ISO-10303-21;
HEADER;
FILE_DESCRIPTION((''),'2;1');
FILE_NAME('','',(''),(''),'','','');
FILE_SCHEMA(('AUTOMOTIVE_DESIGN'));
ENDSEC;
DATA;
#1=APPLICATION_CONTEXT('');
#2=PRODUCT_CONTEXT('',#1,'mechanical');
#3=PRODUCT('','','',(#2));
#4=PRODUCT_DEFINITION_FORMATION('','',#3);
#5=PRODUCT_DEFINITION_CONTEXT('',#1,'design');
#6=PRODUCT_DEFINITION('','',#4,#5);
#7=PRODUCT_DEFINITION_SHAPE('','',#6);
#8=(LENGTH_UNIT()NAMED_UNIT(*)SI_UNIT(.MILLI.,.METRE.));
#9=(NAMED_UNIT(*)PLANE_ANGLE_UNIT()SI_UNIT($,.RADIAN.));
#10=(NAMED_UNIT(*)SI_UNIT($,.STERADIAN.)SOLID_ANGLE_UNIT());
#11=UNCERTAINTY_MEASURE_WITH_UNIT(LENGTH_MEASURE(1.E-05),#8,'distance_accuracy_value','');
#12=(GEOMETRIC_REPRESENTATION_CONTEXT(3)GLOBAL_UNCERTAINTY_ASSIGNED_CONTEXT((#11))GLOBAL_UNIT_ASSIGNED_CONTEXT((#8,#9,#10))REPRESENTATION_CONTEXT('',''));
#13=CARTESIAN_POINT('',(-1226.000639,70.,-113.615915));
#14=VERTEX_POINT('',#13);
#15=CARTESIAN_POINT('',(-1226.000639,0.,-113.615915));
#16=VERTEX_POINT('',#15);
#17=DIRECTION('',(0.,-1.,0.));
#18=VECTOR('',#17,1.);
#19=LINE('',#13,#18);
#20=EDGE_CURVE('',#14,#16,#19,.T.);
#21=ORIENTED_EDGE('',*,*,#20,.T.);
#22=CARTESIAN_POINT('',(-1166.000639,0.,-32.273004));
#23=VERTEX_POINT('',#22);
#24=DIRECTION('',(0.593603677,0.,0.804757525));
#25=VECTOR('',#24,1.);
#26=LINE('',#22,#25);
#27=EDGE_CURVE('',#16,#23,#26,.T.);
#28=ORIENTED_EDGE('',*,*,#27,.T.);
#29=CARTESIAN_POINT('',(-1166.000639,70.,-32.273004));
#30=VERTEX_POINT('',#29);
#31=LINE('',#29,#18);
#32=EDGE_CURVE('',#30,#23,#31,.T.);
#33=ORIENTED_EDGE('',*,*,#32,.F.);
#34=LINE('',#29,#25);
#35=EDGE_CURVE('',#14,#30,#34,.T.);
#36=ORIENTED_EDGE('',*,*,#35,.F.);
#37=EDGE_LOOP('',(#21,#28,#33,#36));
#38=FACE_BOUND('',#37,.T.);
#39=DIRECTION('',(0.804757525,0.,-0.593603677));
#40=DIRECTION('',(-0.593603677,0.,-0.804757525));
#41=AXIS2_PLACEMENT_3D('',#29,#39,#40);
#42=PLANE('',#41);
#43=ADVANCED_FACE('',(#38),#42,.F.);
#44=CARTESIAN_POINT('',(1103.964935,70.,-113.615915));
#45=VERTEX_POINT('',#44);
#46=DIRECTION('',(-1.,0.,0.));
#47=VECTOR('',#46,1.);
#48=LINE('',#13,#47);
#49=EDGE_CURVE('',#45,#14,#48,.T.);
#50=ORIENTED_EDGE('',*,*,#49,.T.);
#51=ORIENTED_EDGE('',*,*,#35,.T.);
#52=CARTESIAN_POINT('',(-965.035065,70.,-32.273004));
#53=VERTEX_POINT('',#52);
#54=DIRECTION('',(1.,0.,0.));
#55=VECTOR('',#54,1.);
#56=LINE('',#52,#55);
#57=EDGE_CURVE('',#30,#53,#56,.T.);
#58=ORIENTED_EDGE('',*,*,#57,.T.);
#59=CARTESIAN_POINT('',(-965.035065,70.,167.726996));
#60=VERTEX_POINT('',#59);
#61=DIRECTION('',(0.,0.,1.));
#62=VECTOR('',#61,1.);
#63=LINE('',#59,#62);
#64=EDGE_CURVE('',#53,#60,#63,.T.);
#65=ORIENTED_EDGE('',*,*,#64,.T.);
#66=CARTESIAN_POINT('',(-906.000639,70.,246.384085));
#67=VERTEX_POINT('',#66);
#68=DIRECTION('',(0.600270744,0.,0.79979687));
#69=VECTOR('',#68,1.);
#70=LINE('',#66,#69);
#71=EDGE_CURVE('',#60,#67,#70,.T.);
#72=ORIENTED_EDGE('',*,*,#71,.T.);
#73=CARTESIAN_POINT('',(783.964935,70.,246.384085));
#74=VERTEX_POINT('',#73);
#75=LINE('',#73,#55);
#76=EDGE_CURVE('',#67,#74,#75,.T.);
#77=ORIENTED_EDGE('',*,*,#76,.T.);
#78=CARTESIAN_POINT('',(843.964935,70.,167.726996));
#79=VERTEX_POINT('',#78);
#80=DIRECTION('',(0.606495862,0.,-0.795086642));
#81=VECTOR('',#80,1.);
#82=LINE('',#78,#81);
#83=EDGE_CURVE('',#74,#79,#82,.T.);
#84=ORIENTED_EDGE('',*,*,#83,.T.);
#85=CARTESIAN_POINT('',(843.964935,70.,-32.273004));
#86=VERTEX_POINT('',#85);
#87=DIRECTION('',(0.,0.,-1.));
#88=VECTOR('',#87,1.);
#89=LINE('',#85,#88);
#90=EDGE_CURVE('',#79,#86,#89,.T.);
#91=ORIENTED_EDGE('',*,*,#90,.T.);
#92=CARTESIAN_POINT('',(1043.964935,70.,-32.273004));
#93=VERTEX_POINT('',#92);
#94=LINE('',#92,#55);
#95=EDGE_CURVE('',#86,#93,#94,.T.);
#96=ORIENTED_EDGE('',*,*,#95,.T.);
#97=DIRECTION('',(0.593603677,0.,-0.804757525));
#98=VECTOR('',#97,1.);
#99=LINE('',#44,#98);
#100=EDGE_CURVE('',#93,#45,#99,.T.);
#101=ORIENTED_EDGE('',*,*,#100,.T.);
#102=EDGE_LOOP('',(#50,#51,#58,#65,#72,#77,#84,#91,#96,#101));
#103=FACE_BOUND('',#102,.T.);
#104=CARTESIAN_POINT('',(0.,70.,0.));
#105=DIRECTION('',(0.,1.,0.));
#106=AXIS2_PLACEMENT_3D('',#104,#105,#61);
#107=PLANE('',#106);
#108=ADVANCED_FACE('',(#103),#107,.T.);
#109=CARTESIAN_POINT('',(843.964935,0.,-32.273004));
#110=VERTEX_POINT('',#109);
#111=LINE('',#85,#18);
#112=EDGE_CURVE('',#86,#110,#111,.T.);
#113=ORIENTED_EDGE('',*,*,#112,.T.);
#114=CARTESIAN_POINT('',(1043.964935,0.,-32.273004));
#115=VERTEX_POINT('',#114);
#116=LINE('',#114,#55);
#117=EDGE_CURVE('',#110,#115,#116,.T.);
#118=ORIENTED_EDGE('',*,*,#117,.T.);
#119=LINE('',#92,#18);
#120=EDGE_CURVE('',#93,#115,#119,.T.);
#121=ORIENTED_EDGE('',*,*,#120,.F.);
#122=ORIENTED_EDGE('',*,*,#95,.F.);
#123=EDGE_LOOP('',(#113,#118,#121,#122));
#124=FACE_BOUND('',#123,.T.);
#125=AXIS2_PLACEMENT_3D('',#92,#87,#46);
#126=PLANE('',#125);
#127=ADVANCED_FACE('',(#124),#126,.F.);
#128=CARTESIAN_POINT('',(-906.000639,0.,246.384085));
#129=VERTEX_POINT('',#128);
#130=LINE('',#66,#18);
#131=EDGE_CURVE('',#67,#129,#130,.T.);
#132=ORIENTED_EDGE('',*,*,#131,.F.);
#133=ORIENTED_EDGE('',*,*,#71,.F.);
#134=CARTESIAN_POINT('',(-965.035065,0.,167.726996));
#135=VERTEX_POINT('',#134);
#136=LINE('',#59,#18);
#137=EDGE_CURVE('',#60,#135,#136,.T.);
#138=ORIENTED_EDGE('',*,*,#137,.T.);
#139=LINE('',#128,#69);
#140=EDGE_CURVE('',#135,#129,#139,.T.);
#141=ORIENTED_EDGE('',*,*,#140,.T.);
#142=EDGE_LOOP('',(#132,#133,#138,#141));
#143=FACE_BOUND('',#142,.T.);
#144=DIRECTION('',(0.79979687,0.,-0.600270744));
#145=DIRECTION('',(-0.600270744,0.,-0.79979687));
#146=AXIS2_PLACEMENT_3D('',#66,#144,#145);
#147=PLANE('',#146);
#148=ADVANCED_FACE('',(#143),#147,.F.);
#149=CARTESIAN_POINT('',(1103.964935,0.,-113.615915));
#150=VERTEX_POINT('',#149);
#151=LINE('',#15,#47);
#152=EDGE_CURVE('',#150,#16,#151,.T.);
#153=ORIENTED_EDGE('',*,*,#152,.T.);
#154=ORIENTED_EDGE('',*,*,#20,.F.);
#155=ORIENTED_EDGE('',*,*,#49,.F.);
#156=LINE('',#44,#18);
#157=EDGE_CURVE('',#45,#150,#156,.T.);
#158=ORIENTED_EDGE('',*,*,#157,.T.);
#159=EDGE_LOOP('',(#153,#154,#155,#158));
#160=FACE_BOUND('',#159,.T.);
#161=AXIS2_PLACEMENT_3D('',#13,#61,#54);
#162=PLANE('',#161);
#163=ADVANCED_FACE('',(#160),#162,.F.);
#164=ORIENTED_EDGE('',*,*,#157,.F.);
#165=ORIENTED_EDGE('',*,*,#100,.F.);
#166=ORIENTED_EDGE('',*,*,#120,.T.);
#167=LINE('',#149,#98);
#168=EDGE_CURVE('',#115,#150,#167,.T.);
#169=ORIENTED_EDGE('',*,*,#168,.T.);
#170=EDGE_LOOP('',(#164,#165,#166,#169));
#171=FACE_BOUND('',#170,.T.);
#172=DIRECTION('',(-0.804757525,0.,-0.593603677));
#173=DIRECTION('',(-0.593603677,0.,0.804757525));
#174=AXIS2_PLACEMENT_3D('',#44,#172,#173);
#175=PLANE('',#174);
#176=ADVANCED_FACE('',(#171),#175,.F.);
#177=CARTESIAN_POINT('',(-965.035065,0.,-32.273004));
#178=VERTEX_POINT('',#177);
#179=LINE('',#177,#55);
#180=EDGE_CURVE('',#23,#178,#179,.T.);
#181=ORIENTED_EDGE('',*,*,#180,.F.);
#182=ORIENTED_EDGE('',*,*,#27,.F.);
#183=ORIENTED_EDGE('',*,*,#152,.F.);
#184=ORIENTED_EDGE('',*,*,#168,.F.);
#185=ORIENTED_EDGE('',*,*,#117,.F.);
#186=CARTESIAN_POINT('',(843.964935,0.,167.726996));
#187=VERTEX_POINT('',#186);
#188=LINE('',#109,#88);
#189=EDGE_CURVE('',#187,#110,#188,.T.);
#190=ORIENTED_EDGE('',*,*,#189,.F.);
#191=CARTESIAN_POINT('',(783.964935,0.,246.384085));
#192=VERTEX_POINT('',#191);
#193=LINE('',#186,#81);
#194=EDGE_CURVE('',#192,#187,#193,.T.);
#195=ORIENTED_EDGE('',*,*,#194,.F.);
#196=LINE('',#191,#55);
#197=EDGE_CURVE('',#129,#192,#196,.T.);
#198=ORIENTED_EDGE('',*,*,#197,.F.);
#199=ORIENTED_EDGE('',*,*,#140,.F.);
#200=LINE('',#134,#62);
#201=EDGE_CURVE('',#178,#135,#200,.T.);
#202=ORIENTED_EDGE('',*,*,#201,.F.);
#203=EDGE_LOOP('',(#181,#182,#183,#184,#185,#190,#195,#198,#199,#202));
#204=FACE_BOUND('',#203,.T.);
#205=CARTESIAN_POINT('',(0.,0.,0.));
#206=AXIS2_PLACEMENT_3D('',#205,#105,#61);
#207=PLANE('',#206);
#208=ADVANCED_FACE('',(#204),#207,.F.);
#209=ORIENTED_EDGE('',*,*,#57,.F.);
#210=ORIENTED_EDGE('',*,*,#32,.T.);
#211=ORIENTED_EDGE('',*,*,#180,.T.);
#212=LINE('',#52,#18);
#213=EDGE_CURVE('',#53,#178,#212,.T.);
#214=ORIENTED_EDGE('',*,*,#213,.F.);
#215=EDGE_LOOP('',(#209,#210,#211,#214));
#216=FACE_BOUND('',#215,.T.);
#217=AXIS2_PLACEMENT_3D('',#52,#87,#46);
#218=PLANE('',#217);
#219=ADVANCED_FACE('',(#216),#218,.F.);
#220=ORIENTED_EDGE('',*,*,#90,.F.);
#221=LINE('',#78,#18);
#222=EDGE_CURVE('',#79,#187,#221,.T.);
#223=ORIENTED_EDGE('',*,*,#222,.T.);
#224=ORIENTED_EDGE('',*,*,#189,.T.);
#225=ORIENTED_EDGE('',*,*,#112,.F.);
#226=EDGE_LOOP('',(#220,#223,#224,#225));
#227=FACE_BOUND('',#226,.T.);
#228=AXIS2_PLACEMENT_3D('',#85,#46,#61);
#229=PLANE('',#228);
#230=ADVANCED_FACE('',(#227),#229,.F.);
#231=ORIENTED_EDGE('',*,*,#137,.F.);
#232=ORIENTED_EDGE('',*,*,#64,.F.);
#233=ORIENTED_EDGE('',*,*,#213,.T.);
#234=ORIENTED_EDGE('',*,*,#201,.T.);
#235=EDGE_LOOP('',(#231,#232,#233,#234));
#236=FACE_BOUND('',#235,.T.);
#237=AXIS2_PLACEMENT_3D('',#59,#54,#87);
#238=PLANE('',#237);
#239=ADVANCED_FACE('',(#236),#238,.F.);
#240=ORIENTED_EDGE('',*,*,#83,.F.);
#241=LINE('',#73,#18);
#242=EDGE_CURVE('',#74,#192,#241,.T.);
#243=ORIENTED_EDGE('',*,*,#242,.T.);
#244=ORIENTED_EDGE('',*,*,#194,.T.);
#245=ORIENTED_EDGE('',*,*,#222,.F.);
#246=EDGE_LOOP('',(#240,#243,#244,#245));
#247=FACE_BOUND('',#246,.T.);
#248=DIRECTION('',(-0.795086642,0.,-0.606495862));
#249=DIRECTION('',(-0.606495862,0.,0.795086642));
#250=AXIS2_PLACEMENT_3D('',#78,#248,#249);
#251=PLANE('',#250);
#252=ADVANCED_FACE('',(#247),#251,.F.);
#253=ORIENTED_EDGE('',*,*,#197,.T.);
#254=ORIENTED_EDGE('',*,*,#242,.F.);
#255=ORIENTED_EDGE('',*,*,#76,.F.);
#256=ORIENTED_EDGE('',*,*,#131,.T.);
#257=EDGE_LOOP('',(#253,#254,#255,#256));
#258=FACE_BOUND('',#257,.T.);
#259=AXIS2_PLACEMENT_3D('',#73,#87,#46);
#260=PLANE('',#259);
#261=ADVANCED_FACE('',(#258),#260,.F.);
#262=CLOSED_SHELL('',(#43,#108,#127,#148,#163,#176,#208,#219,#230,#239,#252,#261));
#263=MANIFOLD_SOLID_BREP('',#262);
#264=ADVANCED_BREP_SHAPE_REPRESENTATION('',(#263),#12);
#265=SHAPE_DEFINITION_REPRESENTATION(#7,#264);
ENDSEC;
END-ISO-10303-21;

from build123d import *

# Parameters (mm, degrees)
EXTRUDE_1_DEPTH = 70


with BuildPart() as part:
    # 草图1 → 凸台-拉伸1 (new body)
    with BuildSketch(Plane(origin=(0, 0, 0), x_dir=(1, 0, 0), z_dir=(0, 1, 0))):
        Polygon((-1226.000639084, 113.615915427), (1103.964935241, 113.615915427), (1043.964935241, 32.273003651), (843.964935241, 32.273003651), (843.964935241, -167.726996349), (783.964935241, -246.384084573), (-906.000639084, -246.384084573), (-965.035064759, -167.726996349), (-965.035064759, 32.273003651), (-1166.000639084, 32.273003651), align=None)
    extrude(amount=EXTRUDE_1_DEPTH)


solid = part.part
